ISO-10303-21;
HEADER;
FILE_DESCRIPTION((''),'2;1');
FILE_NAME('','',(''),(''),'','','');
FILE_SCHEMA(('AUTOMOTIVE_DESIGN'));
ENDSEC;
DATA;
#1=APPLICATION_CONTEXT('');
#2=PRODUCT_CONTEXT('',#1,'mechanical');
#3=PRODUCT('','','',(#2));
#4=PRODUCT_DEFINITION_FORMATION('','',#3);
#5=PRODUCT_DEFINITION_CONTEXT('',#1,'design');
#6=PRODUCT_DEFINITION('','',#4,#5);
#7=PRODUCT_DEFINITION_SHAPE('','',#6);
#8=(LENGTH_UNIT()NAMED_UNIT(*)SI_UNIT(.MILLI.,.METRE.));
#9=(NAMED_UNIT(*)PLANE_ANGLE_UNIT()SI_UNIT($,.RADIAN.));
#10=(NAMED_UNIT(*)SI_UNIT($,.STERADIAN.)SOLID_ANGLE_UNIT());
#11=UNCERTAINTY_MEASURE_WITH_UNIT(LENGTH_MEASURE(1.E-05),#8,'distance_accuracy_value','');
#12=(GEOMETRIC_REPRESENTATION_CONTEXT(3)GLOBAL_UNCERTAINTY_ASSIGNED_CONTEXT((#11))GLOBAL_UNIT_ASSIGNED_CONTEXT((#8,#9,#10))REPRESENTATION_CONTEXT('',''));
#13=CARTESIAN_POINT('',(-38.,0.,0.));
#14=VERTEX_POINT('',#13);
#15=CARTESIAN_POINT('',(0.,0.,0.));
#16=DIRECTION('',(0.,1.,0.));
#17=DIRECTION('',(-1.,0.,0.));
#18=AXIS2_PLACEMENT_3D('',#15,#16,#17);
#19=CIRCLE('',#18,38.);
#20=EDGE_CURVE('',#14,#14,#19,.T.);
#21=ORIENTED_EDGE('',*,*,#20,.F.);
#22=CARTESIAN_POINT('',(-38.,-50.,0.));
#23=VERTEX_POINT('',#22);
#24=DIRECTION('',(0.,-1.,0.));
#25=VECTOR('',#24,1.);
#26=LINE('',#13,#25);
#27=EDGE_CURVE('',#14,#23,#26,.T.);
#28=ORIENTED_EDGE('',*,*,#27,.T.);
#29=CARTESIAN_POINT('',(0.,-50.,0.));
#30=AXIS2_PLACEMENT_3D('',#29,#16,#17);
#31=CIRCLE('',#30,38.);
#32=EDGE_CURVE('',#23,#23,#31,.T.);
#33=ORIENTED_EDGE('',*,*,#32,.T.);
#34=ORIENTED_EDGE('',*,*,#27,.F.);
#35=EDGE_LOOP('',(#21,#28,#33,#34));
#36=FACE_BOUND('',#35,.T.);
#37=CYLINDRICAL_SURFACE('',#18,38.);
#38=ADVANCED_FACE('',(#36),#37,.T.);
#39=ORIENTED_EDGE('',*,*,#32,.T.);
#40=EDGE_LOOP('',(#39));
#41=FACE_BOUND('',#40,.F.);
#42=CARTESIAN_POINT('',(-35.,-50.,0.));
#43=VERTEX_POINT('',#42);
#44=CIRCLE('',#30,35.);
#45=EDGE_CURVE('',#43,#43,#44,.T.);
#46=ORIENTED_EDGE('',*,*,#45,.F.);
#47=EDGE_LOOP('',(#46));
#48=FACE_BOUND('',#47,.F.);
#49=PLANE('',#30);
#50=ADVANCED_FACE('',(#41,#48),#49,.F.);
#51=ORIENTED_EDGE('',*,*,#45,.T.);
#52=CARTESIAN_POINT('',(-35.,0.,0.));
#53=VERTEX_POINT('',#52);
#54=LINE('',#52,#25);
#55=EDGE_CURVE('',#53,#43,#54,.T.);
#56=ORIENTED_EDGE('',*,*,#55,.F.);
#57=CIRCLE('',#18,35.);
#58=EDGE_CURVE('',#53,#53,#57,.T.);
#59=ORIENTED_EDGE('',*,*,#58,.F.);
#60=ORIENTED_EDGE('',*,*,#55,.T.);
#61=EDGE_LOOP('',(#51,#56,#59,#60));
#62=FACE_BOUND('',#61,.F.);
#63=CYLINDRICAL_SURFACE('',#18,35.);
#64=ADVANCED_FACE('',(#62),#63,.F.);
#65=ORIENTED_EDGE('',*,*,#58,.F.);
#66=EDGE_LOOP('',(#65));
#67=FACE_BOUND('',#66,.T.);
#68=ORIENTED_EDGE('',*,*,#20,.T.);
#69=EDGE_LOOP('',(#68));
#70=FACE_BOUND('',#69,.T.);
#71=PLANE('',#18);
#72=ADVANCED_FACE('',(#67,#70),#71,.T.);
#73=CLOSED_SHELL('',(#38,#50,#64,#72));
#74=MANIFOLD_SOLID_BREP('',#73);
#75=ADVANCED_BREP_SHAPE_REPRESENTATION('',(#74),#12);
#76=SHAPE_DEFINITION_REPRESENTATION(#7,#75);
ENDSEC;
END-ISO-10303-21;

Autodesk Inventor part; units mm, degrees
ref_plane "YZ Plane" through (0, 0, 0) normal (1, 0, 0) x (0, 1, 0)
ref_plane "XZ Plane" through (0, 0, 0) normal (0, 1, 0) x (-1, 0, 0)
ref_plane "XY Plane" through (0, 0, 0) normal (0, 0, 1) x (1, 0, 0)
sketch "Sketch1" plane through (0, 0, 0) normal (0, 1, 0) x (-1, 0, 0)
  circle A0 centre (0, 0) radius 38
  circle A1 centre (0, 0) radius 35
  dimension "d0" = 76
  dimension "d1" = 3
extrude "Extrusion1" add sketch "Sketch1" against normal blind 50
properties part number "TZS 1234 FDS tube 4" material "Steel"
